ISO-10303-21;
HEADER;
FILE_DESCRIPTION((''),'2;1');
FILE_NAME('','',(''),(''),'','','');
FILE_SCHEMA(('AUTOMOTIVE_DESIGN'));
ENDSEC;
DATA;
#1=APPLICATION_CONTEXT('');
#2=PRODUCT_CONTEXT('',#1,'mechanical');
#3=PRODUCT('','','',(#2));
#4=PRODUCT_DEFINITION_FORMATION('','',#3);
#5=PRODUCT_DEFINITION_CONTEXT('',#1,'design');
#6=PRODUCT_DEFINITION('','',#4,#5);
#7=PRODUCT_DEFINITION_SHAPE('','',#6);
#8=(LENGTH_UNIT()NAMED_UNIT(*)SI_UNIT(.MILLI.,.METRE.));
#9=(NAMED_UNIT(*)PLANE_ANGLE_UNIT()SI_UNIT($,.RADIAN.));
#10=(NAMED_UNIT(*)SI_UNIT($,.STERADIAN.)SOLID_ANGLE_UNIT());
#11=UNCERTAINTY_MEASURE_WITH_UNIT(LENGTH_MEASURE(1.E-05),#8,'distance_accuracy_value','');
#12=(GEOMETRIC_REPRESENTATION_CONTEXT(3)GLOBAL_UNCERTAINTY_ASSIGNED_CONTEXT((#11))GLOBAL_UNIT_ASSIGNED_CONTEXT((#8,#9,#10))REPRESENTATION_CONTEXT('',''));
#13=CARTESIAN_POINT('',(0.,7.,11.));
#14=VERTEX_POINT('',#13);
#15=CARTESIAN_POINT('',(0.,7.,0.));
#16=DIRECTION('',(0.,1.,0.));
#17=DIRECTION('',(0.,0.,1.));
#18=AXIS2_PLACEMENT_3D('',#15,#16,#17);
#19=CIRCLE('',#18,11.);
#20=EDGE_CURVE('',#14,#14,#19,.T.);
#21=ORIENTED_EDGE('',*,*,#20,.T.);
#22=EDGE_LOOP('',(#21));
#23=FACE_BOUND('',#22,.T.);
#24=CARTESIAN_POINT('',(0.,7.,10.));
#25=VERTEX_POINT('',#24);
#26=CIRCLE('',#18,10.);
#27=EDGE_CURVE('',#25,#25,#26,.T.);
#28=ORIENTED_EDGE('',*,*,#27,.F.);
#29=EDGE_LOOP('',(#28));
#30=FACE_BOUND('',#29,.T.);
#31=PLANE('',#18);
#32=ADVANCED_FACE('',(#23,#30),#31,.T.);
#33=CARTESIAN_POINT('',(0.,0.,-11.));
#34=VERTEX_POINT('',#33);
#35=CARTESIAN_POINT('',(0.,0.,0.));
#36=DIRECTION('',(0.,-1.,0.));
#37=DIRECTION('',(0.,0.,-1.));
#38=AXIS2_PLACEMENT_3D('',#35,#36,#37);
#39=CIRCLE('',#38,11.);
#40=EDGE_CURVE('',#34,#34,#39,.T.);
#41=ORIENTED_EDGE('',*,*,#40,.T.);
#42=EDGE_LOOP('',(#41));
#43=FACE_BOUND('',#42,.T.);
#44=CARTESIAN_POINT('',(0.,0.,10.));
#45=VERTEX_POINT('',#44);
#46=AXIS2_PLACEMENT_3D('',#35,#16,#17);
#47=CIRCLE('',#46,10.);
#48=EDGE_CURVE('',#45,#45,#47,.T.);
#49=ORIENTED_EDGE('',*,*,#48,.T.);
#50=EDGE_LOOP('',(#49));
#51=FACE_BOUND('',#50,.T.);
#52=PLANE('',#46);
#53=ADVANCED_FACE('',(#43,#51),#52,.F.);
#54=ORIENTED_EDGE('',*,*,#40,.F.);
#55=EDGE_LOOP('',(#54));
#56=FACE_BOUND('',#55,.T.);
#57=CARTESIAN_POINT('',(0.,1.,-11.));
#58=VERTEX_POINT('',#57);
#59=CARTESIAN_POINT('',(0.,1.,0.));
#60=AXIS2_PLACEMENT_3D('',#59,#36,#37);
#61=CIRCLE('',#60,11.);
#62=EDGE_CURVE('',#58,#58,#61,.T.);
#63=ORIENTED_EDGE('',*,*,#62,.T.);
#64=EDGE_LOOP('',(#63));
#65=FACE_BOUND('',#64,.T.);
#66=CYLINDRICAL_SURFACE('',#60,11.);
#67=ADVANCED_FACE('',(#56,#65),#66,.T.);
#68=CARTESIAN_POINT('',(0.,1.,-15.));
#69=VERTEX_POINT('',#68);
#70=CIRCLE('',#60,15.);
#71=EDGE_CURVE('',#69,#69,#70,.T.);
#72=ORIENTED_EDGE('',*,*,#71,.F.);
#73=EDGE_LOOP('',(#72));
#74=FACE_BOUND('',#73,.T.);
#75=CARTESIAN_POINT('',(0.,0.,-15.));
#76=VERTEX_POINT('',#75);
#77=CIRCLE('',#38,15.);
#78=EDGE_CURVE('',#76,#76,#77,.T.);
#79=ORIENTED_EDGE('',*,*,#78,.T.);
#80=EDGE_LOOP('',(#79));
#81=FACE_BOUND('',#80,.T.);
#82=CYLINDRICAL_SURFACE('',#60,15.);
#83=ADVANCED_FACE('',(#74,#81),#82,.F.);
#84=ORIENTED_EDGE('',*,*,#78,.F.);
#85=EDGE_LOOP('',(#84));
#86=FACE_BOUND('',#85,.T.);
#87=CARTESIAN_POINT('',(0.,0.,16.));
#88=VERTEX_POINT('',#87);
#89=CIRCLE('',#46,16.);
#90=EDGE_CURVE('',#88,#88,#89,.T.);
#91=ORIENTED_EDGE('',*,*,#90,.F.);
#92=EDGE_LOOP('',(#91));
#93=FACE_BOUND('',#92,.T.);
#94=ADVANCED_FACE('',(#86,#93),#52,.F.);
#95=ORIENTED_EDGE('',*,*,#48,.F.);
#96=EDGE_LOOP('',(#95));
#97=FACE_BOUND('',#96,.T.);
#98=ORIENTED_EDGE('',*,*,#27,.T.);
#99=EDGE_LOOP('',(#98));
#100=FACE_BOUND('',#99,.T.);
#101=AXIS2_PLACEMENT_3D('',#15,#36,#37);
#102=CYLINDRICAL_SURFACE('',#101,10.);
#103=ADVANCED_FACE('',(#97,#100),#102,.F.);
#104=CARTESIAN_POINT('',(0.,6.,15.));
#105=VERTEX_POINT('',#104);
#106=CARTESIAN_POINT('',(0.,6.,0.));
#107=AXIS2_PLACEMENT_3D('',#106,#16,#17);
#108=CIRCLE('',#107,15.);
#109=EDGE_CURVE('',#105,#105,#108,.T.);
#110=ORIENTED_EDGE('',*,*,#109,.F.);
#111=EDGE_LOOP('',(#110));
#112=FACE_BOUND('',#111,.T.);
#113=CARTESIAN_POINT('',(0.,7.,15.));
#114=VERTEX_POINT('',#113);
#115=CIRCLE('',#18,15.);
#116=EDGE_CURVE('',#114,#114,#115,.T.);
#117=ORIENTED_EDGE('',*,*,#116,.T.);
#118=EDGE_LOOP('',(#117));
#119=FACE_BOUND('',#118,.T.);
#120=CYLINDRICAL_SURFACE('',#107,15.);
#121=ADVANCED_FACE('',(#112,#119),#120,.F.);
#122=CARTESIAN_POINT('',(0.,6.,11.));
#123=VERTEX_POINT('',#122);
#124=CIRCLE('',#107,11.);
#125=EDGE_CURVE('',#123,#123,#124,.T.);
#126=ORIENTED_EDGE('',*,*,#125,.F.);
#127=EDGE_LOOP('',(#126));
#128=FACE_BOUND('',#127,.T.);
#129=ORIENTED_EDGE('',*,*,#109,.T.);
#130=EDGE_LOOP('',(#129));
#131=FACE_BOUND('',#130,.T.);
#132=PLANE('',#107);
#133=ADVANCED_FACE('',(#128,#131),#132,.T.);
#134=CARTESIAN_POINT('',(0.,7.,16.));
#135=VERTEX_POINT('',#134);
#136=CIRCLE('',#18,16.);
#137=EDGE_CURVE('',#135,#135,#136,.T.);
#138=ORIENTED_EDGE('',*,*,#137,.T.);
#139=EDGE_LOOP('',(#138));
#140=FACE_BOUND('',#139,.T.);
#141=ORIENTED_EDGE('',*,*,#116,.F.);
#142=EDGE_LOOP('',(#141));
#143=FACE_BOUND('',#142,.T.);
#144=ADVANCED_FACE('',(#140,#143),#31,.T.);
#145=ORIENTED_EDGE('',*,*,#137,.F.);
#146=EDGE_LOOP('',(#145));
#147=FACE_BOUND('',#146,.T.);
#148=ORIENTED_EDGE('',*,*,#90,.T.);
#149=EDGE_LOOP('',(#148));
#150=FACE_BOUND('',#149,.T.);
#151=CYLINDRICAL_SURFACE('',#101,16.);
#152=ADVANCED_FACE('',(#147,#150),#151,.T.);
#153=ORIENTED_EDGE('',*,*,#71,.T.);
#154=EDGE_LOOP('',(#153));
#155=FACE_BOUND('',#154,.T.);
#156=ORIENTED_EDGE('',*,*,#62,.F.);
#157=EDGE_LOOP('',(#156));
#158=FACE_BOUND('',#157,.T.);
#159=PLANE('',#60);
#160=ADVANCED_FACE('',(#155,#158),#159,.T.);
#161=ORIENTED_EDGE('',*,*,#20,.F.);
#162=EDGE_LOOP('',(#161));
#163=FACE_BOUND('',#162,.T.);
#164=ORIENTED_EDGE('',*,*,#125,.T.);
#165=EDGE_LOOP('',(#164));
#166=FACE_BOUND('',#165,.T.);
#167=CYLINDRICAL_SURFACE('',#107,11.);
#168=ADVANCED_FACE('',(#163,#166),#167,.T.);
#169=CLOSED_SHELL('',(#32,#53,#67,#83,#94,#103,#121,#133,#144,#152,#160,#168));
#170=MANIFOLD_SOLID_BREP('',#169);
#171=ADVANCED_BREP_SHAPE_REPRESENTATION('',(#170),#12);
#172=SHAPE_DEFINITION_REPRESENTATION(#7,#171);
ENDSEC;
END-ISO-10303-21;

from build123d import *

# Parameters (mm, degrees)
SKETCH1_R           = 16
SKETCH1_R_2         = 10
BOSS_EXTRUDE1_DEPTH = 7
SKETCH2_R           = 15
SKETCH2_R_2         = 11
CUT_EXTRUDE1_DEPTH  = 1
CUT_EXTRUDE2_START  = -1
SKETCH3_R           = 15
SKETCH3_R_2         = 11
CUT_EXTRUDE2_DEPTH  = 1


with BuildPart() as part:
    # Sketch1 → Boss-Extrude1 (new body)
    with BuildSketch(Plane(origin=(0, 0, 0), x_dir=(1, 0, 0), z_dir=(0, 1, 0))):
        with Locations(Location((0, 0, 0), (0, 0, 270))):
            Circle(SKETCH1_R)
        with Locations(Location((0, 0, 0), (0, 0, 270))):
            Circle(SKETCH1_R_2, mode=Mode.SUBTRACT)
    extrude(amount=BOSS_EXTRUDE1_DEPTH)

    # Sketch2 → Cut-Extrude1 (cut)
    with BuildSketch(Plane(origin=(0, 7, 0), x_dir=(1, 0, 0), z_dir=(0, 1, 0))):
        with Locations(Location((0, 0, 0), (0, 0, 270))):
            Circle(SKETCH2_R)
        with Locations(Location((0, 0, 0), (0, 0, 270))):
            Circle(SKETCH2_R_2, mode=Mode.SUBTRACT)
    extrude(amount=-CUT_EXTRUDE1_DEPTH, mode=Mode.SUBTRACT)

    # Sketch3 → Cut-Extrude2 (cut)
    with BuildSketch(Plane.XZ.offset(CUT_EXTRUDE2_START)):
        with Locations(Location((0, 0, 0), (0, 0, 90))):
            Circle(SKETCH3_R)
        with Locations(Location((0, 0, 0), (0, 0, 90))):
            Circle(SKETCH3_R_2, mode=Mode.SUBTRACT)
    extrude(amount=CUT_EXTRUDE2_DEPTH, mode=Mode.SUBTRACT)


solid = part.part
